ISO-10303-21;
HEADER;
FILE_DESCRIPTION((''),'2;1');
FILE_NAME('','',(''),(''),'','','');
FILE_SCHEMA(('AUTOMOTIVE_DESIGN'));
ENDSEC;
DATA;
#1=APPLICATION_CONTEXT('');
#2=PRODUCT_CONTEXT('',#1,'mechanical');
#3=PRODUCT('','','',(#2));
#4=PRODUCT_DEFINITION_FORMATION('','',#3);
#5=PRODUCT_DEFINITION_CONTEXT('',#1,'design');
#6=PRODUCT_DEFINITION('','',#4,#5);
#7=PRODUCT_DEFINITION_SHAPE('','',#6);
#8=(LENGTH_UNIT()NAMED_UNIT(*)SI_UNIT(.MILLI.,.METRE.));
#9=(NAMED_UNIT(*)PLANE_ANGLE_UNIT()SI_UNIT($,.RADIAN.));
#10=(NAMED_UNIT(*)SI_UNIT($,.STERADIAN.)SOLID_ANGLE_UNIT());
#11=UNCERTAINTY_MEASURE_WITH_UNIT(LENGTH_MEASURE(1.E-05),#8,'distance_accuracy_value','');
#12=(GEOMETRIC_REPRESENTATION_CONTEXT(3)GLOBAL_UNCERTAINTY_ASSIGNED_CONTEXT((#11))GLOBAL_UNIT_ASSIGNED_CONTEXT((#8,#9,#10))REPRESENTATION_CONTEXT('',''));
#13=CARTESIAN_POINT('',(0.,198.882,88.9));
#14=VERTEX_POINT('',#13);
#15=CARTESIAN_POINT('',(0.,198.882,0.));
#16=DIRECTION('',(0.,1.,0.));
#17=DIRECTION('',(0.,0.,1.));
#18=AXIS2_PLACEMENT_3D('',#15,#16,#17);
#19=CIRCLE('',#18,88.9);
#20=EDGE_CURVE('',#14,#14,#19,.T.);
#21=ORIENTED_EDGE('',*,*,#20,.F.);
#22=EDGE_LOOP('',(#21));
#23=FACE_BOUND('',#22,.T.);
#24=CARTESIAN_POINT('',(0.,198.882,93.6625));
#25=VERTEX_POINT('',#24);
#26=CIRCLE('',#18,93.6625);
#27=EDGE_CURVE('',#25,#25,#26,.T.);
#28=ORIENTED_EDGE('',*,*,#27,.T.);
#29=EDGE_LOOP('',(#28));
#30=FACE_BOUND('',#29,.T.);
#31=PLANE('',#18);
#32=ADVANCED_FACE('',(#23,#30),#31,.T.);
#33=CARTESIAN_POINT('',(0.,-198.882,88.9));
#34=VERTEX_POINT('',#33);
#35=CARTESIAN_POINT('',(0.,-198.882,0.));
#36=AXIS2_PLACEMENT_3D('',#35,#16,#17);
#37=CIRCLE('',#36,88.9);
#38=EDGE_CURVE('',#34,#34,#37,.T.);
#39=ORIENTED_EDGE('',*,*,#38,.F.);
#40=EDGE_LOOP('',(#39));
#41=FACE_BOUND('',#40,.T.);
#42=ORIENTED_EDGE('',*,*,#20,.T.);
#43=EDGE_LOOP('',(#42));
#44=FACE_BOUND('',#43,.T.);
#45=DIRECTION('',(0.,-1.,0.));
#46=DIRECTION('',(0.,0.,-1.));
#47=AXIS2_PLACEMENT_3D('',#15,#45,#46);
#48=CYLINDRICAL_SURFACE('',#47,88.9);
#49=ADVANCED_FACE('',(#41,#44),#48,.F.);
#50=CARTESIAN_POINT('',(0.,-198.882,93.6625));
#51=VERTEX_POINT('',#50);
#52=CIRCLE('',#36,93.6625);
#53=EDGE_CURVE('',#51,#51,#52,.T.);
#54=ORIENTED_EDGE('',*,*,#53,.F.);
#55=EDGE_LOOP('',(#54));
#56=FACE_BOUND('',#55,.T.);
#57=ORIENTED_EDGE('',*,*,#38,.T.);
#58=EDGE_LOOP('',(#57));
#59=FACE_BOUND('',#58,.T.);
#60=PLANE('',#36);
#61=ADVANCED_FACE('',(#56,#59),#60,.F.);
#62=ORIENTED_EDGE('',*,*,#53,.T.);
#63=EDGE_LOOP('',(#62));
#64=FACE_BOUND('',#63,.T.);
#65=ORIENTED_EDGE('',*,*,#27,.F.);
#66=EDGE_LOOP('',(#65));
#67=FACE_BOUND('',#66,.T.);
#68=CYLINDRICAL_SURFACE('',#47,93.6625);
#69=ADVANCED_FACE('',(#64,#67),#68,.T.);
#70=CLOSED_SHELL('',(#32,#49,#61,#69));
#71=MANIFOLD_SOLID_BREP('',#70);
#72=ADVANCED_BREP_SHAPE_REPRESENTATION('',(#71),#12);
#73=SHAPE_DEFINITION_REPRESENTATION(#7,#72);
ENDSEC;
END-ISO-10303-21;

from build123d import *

# Parameters (mm, degrees)
SKETCH1_R           = 93.6625
SKETCH1_R_2         = 88.9
BOSS_EXTRUDE1_DEPTH = 198.882


with BuildPart() as part:
    # Sketch1 → Boss-Extrude1 (new body, symmetric)
    with BuildSketch(Plane(origin=(0, 0, 0), x_dir=(1, 0, 0), z_dir=(0, 1, 0))):
        Circle(SKETCH1_R)
        Circle(SKETCH1_R_2, mode=Mode.SUBTRACT)
    extrude(amount=BOSS_EXTRUDE1_DEPTH, both=True)


solid = part.part
